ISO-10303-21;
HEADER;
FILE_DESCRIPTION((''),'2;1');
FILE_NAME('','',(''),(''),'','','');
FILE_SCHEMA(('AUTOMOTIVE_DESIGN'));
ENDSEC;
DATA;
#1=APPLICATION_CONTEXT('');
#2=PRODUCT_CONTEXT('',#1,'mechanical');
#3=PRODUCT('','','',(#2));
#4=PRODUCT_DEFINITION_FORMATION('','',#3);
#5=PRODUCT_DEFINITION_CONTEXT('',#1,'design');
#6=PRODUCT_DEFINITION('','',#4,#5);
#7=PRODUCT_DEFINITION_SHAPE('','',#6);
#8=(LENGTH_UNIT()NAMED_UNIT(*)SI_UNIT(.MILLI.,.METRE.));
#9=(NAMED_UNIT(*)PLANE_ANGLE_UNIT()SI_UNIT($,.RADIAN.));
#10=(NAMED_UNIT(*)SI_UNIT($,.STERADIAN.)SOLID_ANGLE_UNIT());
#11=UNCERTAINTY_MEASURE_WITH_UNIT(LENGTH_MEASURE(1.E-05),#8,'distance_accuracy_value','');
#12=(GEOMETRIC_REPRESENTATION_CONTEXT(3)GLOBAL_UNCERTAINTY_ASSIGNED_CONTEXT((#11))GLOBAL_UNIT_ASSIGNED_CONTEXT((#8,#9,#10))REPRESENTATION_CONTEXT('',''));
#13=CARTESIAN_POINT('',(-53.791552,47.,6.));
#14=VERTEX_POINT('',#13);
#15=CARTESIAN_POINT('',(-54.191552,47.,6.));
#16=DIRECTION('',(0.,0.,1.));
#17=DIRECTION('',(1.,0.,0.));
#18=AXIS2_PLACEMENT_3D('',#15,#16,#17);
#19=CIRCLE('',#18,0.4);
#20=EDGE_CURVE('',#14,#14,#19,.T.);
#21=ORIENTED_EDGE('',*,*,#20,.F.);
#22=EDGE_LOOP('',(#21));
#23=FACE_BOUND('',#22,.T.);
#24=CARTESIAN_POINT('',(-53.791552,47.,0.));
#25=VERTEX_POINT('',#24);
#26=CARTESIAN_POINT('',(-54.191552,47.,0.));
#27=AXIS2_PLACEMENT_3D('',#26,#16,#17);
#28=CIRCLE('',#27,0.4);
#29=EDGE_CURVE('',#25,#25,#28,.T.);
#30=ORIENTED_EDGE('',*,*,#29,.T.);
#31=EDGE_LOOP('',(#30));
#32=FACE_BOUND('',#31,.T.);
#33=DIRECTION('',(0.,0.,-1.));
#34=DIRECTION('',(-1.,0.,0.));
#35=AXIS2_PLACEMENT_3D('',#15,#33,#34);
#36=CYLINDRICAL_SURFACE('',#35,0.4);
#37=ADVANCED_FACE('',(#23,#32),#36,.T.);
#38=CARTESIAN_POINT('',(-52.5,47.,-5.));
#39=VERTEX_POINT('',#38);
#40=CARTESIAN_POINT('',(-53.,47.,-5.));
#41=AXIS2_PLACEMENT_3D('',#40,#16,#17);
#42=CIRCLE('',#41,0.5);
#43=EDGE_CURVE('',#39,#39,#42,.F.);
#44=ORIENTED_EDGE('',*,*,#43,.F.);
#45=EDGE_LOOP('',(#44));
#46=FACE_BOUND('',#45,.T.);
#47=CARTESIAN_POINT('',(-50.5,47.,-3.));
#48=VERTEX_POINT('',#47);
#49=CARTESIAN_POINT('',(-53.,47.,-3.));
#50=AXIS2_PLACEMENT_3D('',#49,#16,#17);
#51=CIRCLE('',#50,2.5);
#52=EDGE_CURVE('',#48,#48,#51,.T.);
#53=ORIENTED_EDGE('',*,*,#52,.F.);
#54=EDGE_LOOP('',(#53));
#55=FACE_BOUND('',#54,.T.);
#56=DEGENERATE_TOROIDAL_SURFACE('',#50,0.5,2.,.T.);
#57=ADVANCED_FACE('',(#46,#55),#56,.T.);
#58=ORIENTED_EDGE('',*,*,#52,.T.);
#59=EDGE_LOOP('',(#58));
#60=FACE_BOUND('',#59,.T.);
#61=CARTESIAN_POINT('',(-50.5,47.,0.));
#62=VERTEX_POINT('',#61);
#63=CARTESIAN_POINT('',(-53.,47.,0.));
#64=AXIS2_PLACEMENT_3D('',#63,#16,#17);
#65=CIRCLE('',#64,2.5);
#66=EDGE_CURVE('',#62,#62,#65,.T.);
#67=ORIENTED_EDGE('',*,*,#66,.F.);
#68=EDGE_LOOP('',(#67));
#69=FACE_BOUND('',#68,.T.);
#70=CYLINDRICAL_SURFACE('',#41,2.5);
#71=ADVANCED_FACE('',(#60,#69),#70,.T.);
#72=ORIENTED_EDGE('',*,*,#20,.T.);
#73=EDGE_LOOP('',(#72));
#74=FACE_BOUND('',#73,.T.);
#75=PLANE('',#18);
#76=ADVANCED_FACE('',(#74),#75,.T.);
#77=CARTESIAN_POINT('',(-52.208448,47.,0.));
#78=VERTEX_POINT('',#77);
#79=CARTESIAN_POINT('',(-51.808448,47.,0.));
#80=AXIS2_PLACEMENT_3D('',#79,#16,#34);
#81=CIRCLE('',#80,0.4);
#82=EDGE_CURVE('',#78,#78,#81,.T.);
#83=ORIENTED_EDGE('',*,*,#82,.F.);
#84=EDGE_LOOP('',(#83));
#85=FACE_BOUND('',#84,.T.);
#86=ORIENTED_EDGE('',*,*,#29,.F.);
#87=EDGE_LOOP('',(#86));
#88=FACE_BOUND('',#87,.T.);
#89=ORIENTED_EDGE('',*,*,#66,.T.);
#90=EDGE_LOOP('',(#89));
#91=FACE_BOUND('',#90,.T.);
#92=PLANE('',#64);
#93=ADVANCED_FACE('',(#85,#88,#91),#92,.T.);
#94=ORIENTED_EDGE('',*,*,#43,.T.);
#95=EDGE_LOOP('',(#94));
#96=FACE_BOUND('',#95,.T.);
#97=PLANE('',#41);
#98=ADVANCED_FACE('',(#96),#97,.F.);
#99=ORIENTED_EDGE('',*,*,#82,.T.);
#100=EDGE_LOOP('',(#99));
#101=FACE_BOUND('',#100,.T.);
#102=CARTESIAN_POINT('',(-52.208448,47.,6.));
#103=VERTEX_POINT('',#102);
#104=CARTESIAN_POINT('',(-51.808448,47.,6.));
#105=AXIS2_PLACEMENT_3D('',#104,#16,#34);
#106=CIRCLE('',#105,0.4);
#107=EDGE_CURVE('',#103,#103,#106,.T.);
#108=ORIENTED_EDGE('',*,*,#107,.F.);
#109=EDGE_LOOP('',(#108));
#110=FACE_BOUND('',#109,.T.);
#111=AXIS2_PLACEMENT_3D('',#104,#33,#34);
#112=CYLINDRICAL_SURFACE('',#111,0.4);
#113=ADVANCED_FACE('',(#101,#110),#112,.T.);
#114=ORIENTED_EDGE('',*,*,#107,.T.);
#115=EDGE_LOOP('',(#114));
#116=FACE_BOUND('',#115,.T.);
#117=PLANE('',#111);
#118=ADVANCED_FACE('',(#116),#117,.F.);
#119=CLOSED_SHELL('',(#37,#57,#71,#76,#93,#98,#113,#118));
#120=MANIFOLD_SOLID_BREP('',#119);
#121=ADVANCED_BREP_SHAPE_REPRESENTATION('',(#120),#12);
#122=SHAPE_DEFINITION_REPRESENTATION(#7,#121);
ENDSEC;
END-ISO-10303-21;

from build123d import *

# Parameters (mm, degrees)
SKETCH1_R           = 2.5
BOSS_EXTRUDE1_DEPTH = 5
SKETCH2_R           = 0.4
BOSS_EXTRUDE2_DEPTH = 6
FILLET1_R           = 2


with BuildPart() as part:
    # Sketch1 → Boss-Extrude1 (new body)
    with BuildSketch(Plane.XY):
        with Locations((-53, 47)):
            Circle(SKETCH1_R)
    extrude(amount=-BOSS_EXTRUDE1_DEPTH)

    # Sketch2 → Boss-Extrude2 (add)
    with BuildSketch(Plane.XY):
        with Locations((-54.191552133, 47)):
            Circle(SKETCH2_R)
        with Locations((-51.808447867, 47)):
            Circle(SKETCH2_R)
    extrude(amount=BOSS_EXTRUDE2_DEPTH)

    # Fillet1
    fillet1_edges = [part.edges().sort_by_distance(p)[0] for p in [
        (-55.5, 47, -5),
    ]]
    fillet(fillet1_edges, radius=FILLET1_R)


solid = part.part
